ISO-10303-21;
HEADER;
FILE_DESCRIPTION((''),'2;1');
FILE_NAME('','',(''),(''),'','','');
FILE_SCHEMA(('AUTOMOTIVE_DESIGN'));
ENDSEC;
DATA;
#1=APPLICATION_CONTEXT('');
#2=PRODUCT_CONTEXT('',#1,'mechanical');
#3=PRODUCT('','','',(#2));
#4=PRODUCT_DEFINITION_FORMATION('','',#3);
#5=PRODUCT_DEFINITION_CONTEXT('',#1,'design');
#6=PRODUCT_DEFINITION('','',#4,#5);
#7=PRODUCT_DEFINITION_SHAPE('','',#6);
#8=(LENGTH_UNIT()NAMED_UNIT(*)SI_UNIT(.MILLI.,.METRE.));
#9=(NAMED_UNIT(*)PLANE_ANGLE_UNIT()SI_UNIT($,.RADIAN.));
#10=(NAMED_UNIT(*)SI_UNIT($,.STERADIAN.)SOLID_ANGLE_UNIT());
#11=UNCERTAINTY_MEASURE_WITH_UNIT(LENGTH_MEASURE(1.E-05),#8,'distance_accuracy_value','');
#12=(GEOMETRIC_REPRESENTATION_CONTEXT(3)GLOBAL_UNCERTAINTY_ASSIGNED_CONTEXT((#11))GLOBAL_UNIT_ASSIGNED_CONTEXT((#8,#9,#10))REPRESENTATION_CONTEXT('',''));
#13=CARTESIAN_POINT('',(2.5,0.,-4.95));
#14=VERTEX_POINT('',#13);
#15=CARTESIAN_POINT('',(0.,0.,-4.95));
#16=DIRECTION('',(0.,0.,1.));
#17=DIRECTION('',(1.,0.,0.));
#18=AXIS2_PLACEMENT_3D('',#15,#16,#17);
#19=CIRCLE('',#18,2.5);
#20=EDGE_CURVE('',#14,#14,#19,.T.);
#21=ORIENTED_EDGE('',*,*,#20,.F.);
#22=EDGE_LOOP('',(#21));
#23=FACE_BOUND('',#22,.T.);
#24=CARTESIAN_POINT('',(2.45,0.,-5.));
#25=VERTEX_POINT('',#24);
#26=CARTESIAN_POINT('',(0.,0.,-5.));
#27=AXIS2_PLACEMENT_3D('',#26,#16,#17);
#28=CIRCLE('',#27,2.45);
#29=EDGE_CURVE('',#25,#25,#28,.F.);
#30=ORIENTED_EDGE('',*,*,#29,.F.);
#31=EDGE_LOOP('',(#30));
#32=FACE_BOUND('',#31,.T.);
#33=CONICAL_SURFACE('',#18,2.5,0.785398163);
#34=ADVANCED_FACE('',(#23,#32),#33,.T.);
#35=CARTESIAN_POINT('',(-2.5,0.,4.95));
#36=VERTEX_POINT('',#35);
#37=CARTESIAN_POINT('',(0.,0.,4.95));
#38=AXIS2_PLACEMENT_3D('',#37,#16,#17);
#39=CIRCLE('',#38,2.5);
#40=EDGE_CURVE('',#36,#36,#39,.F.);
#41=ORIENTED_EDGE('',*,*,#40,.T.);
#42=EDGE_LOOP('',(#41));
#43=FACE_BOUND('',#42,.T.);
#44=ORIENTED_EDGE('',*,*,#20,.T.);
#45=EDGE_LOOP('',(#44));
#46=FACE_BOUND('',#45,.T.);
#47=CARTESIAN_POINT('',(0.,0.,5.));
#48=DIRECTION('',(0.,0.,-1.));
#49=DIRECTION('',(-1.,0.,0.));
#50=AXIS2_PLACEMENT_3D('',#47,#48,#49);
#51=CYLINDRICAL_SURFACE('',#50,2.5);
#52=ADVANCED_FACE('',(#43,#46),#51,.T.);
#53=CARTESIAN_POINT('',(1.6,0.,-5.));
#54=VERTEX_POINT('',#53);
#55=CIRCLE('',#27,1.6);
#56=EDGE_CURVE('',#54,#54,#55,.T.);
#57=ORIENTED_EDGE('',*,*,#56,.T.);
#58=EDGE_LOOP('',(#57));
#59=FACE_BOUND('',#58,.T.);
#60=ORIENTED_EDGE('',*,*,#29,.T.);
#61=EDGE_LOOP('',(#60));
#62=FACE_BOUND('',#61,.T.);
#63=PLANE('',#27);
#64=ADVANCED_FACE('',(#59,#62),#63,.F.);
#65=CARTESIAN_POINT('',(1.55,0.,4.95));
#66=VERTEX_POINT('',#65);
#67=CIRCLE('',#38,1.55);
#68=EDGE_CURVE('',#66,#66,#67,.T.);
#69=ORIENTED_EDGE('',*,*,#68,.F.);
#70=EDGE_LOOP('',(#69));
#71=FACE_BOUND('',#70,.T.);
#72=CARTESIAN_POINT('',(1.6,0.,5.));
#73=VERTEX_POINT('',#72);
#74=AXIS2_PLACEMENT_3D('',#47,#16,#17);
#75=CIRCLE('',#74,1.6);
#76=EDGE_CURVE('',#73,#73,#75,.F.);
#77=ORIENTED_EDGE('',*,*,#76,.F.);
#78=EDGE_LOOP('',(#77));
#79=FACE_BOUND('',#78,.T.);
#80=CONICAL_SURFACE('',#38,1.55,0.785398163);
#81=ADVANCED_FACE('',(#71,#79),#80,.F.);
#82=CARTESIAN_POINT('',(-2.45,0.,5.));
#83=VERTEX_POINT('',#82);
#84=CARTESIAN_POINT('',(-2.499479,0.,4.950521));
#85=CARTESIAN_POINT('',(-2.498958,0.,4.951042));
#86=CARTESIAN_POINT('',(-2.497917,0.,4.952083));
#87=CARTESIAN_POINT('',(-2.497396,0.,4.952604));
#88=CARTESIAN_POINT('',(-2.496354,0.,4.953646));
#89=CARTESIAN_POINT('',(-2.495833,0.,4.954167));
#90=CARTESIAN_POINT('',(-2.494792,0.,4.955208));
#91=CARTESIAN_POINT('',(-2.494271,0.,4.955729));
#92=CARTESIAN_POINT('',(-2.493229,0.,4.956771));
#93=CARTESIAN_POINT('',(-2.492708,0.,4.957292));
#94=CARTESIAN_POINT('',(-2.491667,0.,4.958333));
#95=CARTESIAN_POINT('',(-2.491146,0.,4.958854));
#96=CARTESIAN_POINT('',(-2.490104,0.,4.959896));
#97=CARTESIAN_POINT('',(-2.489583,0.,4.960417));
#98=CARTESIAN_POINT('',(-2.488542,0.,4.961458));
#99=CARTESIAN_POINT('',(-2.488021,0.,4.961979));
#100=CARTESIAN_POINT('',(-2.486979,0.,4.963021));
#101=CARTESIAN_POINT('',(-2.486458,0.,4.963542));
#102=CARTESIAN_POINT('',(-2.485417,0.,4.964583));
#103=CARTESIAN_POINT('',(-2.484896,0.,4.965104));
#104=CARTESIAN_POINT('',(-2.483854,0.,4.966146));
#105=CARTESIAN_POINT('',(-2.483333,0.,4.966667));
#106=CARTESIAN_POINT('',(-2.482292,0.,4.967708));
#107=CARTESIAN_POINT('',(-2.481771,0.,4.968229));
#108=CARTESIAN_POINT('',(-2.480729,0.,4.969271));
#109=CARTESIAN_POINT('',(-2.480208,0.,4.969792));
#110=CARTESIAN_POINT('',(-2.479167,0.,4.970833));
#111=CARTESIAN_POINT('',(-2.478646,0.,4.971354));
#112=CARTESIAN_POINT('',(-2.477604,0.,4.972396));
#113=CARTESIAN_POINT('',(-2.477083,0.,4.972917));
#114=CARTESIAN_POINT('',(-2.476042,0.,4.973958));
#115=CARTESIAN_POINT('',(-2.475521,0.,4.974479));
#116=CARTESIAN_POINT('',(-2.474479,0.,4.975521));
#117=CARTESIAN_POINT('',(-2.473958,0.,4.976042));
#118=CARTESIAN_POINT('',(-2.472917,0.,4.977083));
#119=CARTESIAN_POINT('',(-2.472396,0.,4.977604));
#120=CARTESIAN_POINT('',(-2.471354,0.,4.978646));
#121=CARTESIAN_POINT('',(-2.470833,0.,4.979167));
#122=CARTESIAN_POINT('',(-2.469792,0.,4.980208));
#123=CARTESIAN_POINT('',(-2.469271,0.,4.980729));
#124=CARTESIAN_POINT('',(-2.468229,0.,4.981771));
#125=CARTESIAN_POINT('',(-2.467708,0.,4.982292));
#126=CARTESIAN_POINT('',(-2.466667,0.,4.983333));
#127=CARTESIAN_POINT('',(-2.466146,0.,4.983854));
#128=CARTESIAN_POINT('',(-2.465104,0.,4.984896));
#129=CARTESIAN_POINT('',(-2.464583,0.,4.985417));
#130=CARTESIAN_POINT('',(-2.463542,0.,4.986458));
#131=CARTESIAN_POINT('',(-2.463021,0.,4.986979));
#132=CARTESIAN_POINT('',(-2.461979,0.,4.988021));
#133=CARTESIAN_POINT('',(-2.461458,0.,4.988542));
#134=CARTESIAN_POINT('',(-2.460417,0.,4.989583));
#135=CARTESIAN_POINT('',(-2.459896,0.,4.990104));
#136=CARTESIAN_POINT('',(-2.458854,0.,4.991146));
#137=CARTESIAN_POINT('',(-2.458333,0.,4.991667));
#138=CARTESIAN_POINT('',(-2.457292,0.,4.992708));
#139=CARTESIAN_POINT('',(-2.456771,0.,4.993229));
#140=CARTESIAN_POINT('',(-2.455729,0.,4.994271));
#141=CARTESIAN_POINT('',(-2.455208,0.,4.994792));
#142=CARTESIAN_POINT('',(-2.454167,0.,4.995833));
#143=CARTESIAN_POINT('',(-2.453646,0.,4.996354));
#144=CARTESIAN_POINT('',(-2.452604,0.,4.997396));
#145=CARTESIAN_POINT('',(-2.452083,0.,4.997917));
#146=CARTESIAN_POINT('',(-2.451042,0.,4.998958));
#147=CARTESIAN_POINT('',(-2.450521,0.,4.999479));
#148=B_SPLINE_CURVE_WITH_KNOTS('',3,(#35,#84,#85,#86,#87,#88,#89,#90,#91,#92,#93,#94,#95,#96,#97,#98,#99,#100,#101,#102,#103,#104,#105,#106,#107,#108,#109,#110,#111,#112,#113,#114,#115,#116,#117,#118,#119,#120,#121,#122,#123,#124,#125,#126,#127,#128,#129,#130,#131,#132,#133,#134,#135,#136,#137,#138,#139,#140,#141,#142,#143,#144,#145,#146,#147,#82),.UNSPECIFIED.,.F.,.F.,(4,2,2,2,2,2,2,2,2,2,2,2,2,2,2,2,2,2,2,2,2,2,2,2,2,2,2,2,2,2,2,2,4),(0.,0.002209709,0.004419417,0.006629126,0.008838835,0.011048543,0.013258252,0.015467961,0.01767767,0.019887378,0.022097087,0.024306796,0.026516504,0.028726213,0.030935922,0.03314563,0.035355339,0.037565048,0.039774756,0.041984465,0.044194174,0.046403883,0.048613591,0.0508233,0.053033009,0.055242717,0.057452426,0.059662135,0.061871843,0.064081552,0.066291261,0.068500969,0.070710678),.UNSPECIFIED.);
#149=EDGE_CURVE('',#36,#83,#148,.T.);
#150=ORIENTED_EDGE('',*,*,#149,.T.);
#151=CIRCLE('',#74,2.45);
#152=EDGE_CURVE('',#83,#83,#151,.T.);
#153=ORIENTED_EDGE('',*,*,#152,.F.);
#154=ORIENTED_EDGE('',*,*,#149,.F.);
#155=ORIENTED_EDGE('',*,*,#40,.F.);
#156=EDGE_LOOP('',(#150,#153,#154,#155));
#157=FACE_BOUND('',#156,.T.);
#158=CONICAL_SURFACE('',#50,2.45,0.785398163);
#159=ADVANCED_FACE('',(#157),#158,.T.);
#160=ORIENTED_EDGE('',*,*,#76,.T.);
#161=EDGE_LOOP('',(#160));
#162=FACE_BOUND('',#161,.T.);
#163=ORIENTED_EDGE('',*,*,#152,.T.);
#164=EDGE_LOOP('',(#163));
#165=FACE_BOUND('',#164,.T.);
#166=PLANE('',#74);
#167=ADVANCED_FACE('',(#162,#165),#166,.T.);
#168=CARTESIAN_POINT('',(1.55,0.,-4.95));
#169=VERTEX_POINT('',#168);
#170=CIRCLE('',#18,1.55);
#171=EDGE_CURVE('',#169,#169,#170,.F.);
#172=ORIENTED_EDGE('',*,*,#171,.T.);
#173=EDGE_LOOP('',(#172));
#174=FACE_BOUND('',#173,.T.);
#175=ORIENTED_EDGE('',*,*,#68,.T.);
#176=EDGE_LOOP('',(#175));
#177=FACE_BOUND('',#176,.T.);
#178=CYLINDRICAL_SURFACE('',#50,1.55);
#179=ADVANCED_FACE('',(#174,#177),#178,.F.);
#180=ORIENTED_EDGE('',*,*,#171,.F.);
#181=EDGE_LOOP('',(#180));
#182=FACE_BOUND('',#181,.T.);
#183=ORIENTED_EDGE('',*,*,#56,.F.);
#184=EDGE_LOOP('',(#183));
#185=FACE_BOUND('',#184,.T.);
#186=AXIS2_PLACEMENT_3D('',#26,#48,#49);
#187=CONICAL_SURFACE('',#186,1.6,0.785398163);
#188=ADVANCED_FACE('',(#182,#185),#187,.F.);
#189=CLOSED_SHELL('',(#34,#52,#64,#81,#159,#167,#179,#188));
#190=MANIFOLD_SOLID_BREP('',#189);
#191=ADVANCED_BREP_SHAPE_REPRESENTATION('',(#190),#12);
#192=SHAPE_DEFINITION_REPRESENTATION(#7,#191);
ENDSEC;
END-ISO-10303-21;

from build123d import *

# Parameters (mm, degrees)
SKETCH_1_R      = 2.5
SKETCH_1_R_2    = 1.55
EXTRUDE_1_DEPTH = 5
CHAMFER_1_SIZE  = 0.05


with BuildPart() as part:
    # 草图1 → 凸台-拉伸1 (new, symmetric)
    with BuildSketch(Plane.XY):
        Circle(SKETCH_1_R)
        Circle(SKETCH_1_R_2, mode=Mode.SUBTRACT)
    extrude(amount=EXTRUDE_1_DEPTH, both=True)

    # 倒角1
    chamfer_1_edges = [part.edges().sort_by_distance(p)[0] for p in [
        (-2.5, 0, -5),
        (-2.5, 0, 5),
        (-1.55, 0, -5),
        (-1.55, 0, 5),
    ]]
    chamfer(chamfer_1_edges, length=CHAMFER_1_SIZE)


solid = part.part
